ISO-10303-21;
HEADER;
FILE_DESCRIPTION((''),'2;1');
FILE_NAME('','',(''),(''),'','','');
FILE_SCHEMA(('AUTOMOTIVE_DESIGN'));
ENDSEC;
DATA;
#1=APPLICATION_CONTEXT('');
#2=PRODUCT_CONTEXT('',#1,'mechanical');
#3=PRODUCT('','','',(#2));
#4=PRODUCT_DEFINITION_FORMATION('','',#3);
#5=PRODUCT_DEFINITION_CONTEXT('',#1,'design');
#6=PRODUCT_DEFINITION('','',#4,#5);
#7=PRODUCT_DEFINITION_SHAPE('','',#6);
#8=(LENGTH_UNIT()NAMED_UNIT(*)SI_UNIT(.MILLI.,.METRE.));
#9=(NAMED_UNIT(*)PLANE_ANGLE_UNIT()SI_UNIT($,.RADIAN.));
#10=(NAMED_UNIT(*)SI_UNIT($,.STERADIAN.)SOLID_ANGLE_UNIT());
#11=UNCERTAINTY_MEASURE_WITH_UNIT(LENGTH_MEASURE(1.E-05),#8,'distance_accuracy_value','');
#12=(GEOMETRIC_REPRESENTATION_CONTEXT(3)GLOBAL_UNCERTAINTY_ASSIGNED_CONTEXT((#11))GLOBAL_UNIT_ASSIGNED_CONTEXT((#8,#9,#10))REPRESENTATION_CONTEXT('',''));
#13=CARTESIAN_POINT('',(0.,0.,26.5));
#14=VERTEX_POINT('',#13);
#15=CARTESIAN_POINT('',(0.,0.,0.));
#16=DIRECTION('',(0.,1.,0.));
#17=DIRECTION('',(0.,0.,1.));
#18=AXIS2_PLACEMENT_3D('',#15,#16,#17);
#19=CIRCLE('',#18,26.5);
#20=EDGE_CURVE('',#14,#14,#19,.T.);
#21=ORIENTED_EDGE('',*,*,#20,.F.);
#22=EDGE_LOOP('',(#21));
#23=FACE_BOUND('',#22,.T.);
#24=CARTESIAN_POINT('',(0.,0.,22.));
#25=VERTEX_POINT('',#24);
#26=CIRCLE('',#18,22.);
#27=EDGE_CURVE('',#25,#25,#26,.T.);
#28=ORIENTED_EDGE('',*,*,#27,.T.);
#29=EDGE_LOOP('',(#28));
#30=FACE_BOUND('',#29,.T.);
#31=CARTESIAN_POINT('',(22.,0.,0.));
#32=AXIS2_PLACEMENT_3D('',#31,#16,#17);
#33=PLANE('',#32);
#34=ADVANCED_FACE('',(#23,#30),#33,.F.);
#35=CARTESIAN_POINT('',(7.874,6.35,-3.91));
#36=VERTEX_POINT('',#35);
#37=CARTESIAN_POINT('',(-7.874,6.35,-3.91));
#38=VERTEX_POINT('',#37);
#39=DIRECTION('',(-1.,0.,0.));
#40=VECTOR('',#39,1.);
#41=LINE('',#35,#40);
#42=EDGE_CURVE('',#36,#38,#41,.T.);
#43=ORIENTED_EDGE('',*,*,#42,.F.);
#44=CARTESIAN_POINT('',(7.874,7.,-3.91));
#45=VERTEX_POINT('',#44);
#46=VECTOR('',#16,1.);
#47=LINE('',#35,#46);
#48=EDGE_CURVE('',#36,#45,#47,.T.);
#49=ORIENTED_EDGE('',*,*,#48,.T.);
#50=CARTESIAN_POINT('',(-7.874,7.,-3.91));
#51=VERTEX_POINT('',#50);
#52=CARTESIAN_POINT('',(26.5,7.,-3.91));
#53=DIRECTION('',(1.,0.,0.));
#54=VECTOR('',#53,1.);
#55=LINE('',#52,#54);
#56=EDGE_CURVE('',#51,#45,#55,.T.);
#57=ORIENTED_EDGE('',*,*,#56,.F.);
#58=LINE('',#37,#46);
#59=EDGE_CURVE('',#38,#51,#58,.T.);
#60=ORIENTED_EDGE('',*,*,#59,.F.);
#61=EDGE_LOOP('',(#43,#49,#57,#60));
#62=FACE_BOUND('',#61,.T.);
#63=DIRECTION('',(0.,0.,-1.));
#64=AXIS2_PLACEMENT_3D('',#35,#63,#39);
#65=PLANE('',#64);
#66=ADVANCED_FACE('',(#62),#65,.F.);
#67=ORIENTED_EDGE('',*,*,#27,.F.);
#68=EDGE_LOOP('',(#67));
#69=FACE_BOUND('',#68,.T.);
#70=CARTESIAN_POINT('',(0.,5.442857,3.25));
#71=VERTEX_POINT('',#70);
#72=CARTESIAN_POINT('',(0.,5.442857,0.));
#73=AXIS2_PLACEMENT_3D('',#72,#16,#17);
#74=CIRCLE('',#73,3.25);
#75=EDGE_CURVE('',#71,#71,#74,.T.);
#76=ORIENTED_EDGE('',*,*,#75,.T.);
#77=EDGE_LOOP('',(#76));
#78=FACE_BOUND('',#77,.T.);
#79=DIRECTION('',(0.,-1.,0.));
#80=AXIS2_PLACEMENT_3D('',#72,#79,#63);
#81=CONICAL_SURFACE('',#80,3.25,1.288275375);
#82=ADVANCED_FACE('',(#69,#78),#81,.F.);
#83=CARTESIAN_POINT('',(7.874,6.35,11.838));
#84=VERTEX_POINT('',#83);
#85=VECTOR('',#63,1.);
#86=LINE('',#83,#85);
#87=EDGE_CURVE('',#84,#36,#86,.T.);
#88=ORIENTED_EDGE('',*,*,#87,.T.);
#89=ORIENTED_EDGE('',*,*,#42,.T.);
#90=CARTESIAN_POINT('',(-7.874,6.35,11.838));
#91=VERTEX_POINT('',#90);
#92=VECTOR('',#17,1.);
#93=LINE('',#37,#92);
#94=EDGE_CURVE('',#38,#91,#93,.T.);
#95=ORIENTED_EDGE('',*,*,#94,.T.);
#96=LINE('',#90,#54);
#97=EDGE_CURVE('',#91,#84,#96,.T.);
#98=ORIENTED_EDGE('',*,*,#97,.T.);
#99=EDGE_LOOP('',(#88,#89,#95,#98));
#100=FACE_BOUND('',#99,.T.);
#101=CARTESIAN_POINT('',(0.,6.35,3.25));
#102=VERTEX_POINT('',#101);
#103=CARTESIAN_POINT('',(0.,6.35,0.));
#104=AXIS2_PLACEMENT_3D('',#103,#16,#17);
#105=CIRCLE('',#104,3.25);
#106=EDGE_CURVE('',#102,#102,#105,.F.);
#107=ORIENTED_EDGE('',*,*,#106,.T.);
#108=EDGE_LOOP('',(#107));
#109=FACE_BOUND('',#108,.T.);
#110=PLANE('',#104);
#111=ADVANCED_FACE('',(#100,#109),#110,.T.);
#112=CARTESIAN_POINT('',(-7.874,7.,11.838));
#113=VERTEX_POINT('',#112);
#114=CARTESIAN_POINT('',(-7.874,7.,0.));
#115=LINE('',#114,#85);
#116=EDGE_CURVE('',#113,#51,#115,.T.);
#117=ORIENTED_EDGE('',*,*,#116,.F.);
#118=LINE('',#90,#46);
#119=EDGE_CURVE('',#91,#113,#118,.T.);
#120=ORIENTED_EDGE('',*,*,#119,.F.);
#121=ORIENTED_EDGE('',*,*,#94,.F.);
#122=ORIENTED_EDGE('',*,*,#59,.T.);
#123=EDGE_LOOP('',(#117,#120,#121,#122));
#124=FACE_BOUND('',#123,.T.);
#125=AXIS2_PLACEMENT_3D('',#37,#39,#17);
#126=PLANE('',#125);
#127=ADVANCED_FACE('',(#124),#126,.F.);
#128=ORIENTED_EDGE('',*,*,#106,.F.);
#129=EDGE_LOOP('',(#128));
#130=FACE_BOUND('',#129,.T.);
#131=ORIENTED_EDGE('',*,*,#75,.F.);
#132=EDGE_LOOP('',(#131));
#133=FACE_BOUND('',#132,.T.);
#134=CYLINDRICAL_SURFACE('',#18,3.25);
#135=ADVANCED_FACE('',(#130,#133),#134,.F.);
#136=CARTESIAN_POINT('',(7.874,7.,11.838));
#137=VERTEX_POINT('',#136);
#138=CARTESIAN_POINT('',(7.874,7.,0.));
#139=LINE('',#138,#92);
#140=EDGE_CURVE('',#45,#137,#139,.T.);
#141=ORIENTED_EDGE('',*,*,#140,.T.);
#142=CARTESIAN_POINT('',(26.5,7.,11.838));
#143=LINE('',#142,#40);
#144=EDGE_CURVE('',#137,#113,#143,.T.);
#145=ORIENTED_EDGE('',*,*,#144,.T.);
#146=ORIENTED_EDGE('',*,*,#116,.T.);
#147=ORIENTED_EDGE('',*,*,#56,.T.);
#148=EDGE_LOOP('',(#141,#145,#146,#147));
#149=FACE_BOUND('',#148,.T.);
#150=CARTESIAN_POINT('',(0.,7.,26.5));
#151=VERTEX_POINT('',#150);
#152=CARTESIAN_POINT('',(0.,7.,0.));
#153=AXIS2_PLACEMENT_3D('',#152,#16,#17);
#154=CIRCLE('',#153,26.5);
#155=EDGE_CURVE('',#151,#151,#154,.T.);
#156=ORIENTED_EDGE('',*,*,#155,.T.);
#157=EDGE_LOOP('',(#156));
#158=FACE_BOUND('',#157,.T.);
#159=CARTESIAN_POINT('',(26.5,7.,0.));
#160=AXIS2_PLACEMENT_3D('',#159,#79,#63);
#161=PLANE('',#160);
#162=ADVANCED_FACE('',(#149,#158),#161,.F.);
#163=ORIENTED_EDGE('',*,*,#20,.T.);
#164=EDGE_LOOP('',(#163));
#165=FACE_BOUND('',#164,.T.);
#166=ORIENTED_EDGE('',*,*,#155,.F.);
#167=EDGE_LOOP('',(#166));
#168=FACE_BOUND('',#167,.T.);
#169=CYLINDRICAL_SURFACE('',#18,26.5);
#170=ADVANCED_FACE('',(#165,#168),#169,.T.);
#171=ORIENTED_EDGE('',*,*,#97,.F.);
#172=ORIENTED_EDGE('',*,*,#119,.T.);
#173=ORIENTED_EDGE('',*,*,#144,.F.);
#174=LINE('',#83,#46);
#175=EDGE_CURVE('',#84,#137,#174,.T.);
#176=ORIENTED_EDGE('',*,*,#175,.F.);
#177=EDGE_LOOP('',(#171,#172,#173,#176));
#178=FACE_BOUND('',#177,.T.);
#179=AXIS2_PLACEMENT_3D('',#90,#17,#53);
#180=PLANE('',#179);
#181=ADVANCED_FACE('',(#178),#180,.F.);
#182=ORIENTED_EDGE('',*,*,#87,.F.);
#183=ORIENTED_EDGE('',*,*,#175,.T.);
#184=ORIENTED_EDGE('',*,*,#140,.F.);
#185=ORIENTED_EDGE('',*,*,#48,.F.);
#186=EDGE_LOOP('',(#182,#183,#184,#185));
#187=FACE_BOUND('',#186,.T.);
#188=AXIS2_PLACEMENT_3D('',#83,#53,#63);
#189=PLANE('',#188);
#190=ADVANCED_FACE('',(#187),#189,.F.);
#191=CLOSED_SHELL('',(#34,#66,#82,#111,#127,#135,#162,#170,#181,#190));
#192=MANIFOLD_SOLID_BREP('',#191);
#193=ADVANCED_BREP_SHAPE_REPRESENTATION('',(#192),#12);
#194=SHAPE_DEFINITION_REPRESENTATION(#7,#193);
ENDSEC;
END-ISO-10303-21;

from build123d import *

# Parameters (mm, degrees)
SKETCH5_W          = 15.748
SKETCH5_H          = 15.748
CUT_EXTRUDE1_DEPTH = 6.35


with BuildPart() as part:
    # Sketch3 → Revolve1 (revolve)
    with BuildSketch(Plane.XY):
        Polygon((22, 0), (3.25, 5.442857143), (3.25, 7), (26.5, 7), (26.5, 0), align=None)
    revolve(axis=Axis((0, 0, 0), (0, -1, 0)))

    # Sketch5 → Cut-Extrude1 (cut)
    with BuildSketch(Plane(origin=(0, 12.7, 0), x_dir=(1, 0, 0), z_dir=(0, 1, 0))):
        with Locations((0, -3.964)):
            Rectangle(SKETCH5_W, SKETCH5_H)
    extrude(amount=-CUT_EXTRUDE1_DEPTH, mode=Mode.SUBTRACT)


solid = part.part
